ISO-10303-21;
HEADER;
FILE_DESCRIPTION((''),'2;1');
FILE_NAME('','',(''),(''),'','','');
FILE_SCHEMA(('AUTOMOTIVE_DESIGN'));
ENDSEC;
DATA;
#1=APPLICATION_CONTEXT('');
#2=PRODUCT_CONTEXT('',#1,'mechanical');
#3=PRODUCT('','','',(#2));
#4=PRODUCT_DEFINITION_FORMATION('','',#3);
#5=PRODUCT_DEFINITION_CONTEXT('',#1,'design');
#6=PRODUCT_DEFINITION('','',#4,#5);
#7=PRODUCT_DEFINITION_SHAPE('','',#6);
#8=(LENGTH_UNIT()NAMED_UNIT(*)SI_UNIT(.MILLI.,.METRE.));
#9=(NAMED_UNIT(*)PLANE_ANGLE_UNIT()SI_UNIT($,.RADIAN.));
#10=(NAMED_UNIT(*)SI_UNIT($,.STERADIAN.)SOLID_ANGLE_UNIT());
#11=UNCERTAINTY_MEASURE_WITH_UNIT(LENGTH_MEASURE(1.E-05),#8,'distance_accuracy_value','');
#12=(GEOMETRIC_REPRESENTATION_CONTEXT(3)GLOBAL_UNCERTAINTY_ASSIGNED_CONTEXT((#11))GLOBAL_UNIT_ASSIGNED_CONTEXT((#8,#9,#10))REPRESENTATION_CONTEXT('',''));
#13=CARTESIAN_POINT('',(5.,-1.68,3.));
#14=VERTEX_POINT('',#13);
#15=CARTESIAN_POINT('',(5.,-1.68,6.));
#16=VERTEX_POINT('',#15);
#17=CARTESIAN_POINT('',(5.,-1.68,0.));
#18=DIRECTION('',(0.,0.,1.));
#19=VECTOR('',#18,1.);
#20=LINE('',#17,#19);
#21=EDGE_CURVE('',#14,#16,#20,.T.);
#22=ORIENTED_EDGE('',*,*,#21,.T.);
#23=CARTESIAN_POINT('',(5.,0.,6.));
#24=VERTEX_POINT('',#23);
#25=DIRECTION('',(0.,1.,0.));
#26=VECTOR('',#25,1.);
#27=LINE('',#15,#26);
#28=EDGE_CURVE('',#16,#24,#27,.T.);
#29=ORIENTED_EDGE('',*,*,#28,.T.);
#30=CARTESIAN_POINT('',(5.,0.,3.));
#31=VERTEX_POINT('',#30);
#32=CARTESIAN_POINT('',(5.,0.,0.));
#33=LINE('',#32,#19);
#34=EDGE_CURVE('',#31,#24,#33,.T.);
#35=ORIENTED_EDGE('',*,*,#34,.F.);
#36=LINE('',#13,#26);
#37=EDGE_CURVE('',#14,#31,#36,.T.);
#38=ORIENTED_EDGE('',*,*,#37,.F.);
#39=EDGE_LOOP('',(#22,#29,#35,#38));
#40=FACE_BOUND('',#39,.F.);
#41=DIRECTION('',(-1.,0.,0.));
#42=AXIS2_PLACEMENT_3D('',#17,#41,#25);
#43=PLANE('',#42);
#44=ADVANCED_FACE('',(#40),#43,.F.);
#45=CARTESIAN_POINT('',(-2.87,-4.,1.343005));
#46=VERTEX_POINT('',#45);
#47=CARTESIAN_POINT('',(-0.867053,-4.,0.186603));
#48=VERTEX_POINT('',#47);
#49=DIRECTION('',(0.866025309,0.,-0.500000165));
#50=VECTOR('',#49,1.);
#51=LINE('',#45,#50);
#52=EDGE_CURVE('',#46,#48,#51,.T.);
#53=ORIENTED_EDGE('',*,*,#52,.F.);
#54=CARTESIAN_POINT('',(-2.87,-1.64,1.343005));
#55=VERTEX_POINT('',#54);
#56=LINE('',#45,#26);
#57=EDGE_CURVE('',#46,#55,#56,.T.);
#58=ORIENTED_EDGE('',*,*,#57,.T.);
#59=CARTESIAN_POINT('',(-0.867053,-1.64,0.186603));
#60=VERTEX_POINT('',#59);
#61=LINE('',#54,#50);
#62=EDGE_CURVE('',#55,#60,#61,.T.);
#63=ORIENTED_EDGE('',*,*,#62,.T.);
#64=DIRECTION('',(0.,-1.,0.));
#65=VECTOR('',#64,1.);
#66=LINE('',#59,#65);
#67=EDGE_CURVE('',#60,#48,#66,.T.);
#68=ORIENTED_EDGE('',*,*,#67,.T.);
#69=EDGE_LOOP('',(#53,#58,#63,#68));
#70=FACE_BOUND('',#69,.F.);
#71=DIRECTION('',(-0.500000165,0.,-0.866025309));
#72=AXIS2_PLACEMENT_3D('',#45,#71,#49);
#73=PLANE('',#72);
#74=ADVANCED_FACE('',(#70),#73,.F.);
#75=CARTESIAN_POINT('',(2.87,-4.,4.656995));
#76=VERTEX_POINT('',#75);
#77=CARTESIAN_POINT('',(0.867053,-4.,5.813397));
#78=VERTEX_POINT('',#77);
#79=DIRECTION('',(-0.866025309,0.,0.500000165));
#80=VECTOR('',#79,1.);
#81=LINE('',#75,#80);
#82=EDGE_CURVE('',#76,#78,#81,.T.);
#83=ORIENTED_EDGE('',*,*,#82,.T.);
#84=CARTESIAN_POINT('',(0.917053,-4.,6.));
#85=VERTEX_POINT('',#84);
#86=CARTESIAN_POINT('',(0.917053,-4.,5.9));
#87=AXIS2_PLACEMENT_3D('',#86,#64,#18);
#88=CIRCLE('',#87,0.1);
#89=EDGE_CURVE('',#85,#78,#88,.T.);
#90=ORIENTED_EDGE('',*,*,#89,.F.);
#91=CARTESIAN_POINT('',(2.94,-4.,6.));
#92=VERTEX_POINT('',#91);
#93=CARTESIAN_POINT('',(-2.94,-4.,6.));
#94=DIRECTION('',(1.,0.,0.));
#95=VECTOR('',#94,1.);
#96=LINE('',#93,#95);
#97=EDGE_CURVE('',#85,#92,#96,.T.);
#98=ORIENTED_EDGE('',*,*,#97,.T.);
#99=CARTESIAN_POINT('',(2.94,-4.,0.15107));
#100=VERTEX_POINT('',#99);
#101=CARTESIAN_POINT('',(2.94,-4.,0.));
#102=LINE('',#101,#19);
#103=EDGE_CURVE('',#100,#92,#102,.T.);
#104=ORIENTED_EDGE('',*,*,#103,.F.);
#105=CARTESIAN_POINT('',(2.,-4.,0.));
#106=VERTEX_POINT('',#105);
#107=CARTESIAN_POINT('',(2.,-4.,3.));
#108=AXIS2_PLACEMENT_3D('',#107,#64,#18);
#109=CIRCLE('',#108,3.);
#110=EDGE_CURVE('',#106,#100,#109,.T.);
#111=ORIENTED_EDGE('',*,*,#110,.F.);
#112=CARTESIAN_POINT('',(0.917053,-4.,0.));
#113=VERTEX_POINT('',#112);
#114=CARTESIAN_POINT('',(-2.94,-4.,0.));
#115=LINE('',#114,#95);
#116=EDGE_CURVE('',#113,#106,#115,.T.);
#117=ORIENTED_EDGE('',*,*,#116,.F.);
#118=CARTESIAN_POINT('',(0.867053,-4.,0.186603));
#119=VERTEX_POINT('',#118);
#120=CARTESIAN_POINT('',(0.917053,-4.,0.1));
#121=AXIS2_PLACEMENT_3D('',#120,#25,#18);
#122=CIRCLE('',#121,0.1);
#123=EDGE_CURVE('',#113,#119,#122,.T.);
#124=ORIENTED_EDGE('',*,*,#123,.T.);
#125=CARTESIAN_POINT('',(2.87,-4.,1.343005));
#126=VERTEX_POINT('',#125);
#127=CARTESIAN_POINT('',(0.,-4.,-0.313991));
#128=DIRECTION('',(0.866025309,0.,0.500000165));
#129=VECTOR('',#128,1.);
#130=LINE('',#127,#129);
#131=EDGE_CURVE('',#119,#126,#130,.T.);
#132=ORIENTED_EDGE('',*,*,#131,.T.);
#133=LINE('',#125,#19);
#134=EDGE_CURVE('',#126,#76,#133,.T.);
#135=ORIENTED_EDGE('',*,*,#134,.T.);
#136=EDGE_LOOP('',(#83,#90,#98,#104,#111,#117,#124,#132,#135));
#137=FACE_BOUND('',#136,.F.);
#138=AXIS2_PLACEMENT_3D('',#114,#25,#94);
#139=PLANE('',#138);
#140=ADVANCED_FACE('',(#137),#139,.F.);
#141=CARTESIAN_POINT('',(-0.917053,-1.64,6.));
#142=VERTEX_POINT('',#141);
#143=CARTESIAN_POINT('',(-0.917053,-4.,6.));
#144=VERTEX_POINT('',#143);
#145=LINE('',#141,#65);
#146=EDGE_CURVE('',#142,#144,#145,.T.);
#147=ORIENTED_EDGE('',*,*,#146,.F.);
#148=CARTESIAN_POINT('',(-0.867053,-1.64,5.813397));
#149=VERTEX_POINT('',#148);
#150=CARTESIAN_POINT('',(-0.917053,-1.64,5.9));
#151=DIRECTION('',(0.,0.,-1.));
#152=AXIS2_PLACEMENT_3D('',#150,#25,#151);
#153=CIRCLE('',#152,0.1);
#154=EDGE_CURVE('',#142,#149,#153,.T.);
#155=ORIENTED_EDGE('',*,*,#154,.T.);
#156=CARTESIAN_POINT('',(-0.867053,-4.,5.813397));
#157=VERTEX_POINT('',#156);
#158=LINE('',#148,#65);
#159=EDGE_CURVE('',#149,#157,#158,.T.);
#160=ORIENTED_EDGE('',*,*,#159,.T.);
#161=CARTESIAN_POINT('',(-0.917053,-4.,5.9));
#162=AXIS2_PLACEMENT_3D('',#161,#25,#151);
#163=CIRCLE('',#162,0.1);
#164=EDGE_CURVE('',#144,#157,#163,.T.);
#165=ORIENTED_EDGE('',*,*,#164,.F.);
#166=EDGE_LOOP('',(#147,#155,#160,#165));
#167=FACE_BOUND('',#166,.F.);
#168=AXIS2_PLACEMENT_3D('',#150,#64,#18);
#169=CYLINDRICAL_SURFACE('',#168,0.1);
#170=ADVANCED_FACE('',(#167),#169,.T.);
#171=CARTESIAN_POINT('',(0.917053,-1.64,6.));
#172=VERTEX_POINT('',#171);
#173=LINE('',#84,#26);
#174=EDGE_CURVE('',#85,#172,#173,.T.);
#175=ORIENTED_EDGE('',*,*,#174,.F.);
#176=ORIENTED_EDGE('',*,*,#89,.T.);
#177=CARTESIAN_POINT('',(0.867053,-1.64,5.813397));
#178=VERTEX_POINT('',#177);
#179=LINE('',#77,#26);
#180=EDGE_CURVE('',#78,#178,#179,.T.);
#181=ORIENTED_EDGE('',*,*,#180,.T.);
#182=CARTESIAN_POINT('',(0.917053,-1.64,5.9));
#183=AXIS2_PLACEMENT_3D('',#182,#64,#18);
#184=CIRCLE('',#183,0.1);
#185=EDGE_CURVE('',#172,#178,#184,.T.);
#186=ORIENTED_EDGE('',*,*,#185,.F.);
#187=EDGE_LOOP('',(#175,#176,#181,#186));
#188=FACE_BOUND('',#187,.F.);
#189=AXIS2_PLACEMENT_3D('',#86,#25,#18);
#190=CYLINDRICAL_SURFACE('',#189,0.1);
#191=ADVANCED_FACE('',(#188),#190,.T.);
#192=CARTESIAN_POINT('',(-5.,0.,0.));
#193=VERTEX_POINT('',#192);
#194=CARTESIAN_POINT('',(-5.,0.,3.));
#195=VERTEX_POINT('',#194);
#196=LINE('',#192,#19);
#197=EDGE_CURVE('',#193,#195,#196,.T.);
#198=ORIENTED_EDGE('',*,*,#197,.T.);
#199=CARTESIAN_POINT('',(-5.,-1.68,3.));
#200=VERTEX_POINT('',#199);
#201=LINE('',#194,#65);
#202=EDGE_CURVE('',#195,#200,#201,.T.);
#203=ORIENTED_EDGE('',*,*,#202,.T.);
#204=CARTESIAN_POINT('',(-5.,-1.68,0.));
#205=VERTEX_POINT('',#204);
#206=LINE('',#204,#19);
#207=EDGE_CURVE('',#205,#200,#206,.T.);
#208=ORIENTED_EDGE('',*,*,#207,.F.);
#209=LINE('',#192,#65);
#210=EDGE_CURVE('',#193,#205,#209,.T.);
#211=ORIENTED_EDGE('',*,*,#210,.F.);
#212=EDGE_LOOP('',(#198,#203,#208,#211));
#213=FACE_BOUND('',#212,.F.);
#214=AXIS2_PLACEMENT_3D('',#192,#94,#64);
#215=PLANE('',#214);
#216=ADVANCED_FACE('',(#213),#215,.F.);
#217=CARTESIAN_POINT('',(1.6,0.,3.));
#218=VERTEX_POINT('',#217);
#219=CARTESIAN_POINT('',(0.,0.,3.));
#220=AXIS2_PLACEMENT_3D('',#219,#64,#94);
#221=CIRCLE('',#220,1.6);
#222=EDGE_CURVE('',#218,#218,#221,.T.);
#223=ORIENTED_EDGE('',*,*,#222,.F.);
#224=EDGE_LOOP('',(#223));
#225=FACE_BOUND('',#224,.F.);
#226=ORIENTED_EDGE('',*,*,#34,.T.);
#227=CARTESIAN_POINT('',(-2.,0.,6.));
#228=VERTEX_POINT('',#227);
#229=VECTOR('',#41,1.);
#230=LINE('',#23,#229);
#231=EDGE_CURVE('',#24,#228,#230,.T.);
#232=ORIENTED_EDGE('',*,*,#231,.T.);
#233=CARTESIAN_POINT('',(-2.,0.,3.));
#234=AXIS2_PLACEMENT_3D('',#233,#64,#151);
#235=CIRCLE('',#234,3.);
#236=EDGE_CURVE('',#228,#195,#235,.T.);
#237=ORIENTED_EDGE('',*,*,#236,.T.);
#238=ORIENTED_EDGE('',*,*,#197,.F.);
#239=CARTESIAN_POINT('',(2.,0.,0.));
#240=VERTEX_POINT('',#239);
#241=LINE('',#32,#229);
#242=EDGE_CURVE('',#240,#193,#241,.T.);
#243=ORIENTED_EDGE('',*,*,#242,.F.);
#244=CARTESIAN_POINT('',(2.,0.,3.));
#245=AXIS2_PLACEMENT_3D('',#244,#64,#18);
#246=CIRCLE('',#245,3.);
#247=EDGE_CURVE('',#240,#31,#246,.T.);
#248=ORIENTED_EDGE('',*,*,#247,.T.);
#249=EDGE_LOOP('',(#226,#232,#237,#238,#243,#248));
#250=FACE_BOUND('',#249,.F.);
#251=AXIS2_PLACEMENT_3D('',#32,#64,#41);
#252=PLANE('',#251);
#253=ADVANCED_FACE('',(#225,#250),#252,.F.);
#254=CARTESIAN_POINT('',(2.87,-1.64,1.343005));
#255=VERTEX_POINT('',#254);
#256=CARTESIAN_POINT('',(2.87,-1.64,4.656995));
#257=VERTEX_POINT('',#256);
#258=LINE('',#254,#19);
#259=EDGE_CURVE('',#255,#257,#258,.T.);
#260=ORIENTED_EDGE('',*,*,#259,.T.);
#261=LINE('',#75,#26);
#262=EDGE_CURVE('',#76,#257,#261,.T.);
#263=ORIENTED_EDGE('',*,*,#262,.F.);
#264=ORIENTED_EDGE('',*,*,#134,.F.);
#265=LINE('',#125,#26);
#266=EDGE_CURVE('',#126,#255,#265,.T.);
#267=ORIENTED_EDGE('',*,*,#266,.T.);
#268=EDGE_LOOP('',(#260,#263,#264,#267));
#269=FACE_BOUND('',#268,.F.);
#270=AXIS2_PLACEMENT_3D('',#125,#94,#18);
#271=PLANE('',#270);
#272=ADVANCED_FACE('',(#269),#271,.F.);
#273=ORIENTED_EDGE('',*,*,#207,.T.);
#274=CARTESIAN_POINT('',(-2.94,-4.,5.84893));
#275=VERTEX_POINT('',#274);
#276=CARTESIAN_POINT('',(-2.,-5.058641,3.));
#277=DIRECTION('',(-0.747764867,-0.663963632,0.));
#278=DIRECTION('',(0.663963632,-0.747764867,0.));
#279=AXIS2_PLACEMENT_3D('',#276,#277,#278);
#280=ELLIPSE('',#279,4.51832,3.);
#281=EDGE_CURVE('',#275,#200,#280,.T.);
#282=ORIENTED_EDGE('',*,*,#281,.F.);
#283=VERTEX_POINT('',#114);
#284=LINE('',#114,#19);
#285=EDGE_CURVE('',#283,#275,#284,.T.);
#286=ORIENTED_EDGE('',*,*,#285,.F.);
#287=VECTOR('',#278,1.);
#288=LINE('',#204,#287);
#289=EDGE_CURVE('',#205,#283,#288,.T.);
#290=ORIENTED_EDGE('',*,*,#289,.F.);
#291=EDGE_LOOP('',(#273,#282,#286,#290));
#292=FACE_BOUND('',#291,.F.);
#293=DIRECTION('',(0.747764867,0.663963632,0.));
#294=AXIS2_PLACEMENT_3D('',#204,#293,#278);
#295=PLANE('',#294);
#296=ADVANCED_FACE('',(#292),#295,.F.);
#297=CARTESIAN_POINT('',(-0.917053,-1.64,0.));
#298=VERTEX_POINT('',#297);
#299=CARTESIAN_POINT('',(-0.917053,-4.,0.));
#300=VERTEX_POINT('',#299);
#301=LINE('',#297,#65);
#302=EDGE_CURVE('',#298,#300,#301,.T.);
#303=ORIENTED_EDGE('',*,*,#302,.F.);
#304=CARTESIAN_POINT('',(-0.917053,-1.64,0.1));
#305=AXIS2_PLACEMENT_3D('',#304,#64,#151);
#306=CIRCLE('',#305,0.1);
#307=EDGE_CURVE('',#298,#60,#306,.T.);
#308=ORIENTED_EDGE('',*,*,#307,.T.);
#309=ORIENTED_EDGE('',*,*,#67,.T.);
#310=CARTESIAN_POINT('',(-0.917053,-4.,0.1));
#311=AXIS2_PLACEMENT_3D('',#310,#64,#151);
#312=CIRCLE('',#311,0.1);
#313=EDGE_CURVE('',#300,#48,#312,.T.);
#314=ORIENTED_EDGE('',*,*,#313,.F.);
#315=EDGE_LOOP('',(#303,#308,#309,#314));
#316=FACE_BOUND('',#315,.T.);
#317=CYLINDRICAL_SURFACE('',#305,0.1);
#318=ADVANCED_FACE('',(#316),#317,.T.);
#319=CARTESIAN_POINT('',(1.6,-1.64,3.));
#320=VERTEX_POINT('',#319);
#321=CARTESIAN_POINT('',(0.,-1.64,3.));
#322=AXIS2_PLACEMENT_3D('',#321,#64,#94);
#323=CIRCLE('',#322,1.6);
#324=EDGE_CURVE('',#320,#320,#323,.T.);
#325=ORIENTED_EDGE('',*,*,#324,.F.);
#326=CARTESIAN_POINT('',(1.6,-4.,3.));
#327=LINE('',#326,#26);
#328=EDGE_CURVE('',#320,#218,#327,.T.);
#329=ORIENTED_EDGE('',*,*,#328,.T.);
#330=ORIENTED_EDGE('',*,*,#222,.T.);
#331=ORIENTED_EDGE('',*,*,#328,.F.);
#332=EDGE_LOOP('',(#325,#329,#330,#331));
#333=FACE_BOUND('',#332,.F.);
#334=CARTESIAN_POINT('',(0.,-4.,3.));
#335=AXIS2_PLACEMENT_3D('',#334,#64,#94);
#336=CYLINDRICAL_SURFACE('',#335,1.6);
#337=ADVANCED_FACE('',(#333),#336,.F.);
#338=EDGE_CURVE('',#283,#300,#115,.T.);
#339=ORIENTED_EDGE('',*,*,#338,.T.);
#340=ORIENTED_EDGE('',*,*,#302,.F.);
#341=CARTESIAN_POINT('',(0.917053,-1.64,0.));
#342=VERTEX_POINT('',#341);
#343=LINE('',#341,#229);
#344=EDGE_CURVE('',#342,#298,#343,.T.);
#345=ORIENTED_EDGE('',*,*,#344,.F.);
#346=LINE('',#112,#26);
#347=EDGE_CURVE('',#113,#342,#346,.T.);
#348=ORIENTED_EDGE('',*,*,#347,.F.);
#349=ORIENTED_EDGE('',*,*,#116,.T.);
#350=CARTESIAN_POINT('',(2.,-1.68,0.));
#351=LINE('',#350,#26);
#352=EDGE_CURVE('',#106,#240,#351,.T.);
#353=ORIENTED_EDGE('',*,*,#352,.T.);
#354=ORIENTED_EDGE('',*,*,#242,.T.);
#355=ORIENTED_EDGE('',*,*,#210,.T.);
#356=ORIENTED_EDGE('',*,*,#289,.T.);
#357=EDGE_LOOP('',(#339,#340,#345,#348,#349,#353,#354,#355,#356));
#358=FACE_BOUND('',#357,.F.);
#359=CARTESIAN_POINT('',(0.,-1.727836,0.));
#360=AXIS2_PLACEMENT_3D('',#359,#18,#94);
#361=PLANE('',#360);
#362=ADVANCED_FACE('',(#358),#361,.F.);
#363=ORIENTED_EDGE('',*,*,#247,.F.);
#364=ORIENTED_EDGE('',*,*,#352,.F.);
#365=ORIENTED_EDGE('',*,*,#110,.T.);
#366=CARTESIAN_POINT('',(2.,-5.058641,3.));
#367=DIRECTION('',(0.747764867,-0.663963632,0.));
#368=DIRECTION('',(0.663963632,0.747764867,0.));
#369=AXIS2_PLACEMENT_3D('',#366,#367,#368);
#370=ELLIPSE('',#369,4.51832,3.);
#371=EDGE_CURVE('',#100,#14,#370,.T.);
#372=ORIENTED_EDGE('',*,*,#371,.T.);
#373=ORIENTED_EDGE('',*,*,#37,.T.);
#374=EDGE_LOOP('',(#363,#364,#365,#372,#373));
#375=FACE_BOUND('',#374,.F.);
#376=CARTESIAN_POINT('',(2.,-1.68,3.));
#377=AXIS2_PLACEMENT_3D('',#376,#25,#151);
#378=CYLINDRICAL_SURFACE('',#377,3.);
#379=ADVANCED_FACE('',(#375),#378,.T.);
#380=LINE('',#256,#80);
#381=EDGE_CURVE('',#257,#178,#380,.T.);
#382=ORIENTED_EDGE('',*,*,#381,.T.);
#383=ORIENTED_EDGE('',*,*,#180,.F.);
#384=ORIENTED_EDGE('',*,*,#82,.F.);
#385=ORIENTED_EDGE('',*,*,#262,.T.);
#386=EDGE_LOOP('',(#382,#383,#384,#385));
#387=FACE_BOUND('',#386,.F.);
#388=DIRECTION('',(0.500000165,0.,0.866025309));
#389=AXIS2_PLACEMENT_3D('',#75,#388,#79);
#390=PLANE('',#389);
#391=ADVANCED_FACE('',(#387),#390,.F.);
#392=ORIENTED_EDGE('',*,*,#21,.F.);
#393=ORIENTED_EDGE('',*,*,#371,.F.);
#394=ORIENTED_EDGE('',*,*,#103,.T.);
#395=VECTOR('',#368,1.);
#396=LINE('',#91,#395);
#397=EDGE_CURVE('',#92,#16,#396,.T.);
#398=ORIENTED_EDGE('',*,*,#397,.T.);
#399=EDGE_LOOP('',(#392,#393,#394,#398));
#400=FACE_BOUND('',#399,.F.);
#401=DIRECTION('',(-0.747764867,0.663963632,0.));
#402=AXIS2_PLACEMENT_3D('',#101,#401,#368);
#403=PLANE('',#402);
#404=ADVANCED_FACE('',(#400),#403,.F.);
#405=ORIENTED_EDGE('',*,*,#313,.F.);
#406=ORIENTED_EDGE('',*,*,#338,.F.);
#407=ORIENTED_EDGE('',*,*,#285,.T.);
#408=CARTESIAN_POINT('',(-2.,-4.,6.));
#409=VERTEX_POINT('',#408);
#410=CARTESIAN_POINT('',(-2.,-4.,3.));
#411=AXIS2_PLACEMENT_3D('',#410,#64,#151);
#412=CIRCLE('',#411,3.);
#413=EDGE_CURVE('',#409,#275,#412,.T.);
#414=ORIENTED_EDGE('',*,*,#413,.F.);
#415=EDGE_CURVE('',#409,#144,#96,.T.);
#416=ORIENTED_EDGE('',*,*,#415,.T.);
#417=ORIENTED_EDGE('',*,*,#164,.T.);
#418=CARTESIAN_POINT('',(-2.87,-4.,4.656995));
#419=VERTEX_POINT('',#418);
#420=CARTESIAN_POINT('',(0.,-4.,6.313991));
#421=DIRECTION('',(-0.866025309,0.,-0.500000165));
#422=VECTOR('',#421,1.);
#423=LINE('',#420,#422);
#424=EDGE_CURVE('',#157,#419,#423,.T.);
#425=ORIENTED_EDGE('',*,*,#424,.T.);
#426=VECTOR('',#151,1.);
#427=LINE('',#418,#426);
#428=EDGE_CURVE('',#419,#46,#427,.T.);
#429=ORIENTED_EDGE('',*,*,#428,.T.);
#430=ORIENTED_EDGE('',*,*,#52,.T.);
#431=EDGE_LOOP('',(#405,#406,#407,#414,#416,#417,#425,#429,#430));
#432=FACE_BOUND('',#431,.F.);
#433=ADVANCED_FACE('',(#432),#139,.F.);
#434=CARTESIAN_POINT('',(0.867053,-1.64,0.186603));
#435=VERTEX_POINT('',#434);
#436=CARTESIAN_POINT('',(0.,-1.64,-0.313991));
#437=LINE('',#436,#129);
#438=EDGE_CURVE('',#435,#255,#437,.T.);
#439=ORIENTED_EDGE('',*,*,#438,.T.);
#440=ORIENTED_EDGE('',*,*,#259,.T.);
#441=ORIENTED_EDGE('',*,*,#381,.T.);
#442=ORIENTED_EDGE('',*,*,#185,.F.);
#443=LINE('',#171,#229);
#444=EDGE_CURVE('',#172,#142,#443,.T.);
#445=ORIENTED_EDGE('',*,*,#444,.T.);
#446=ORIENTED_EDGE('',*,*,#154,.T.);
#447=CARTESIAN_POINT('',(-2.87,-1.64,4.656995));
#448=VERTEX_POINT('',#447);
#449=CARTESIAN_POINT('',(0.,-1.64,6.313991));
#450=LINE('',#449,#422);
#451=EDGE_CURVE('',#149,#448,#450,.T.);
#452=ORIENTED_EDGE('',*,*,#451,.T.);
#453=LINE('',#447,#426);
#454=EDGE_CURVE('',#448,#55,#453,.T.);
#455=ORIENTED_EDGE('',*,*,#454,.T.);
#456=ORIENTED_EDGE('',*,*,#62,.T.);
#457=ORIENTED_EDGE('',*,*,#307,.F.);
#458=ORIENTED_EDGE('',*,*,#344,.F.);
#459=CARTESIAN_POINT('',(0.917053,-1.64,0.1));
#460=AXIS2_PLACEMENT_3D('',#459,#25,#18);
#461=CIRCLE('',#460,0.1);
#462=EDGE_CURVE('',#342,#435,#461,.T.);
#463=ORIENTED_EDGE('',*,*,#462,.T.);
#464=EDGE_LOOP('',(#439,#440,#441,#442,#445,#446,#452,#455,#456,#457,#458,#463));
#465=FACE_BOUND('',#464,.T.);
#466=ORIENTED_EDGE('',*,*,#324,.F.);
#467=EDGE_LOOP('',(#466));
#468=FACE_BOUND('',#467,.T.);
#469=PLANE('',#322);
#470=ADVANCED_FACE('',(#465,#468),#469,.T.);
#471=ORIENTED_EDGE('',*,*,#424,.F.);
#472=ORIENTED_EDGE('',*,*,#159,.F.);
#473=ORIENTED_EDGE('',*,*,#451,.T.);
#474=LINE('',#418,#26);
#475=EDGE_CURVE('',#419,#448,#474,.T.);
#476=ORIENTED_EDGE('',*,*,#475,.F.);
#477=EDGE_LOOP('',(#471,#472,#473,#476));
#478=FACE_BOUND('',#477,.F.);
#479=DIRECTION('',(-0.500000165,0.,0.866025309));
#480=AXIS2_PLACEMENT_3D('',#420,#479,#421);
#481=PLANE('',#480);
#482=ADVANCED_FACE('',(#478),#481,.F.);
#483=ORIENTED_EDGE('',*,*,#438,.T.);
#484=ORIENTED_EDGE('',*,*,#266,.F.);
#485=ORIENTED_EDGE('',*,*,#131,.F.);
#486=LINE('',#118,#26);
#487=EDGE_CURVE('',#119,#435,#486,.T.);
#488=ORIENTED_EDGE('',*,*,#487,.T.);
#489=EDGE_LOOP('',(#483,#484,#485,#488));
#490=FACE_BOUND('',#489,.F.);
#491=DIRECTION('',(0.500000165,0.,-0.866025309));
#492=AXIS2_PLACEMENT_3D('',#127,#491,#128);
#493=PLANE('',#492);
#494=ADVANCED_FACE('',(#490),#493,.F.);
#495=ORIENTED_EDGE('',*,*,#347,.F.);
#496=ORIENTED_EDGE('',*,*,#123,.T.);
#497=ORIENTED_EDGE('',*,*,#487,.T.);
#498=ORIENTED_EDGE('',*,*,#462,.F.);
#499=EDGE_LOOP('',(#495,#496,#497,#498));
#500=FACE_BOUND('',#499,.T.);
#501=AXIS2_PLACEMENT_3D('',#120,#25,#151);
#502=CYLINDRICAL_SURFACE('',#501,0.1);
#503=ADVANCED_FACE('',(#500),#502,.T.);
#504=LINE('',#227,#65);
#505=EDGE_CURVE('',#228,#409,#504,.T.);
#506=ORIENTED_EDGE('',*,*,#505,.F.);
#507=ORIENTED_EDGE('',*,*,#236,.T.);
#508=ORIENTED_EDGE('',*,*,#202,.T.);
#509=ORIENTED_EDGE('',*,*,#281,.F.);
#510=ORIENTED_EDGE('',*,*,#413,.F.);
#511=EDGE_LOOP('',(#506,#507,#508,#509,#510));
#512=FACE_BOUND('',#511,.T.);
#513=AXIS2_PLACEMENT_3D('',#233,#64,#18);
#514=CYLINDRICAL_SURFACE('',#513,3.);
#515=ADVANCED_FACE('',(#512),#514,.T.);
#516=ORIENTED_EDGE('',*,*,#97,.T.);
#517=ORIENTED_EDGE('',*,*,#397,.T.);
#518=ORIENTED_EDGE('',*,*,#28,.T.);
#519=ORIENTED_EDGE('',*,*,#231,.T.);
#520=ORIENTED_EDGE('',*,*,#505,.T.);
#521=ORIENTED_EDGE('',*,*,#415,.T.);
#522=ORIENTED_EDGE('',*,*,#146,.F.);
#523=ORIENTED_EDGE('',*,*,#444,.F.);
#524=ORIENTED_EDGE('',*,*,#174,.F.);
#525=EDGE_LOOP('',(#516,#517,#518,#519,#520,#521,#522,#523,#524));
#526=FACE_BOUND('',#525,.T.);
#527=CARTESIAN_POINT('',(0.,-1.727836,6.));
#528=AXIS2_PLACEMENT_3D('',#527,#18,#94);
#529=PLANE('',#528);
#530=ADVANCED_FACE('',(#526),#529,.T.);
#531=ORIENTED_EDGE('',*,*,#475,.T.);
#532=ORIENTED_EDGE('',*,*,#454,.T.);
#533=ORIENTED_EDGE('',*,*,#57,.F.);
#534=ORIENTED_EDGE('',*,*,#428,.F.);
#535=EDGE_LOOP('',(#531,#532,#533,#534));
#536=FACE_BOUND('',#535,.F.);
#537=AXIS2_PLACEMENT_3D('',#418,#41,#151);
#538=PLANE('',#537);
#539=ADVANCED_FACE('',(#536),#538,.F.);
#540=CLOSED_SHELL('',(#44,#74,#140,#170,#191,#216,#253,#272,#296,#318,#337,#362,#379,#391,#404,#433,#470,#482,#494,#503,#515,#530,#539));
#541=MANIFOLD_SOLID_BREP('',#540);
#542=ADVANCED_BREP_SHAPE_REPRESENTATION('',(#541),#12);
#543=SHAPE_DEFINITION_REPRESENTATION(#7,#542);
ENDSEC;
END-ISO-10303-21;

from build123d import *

# Parameters (mm, degrees)
PAD_DEPTH       = 6
SKETCH001_R     = 1.6
POCKET_DEPTH    = 4.001
POCKET001_DEPTH = 2.36
FILLET_R        = 0.1
FILLET001_R     = 3


with BuildPart() as part:
    # Sketch → Pad (new body)
    with BuildSketch(Plane.XY):
        Polygon((0, 0), (-5, 0), (-5, -1.68), (-2.94, -4), (0, -4), (2.94, -4), (5, -1.68), (5, 0), align=None)
    extrude(amount=PAD_DEPTH)

    # Sketch001 (on Face5 of Pad) → Pocket (cut, through all)
    with BuildSketch(Plane.XZ.offset(4)):
        with Locations((0, 3)):
            Circle(SKETCH001_R)
    extrude(amount=-POCKET_DEPTH, mode=Mode.SUBTRACT)

    # Sketch002 (on Face8 of Pocket) → Pocket001 (cut)
    with BuildSketch(Plane.XZ.offset(4)):
        Polygon((-2.87, 4.656995), (-2.87, 1.343005), (0, -0.313991), (2.87, 1.343005), (2.87, 4.656995), (0, 6.313991), align=None)
    extrude(amount=-POCKET001_DEPTH, mode=Mode.SUBTRACT)

    # Fillet
    fillet_edges = [part.edges().sort_by_distance(p)[0] for p in [
        (-0.543848, -2.82, 6),
        (0.543848, -2.82, 6),
        (0.543848, -2.82, 0),
        (-0.543848, -2.82, 0),
    ]]
    fillet(fillet_edges, radius=FILLET_R)

    # Fillet001
    fillet001_edges = [part.edges().sort_by_distance(p)[0] for p in [
        (5, -0.84, 0),
        (-5, -0.84, 6),
    ]]
    fillet(fillet001_edges, radius=FILLET001_R)


solid = part.part
